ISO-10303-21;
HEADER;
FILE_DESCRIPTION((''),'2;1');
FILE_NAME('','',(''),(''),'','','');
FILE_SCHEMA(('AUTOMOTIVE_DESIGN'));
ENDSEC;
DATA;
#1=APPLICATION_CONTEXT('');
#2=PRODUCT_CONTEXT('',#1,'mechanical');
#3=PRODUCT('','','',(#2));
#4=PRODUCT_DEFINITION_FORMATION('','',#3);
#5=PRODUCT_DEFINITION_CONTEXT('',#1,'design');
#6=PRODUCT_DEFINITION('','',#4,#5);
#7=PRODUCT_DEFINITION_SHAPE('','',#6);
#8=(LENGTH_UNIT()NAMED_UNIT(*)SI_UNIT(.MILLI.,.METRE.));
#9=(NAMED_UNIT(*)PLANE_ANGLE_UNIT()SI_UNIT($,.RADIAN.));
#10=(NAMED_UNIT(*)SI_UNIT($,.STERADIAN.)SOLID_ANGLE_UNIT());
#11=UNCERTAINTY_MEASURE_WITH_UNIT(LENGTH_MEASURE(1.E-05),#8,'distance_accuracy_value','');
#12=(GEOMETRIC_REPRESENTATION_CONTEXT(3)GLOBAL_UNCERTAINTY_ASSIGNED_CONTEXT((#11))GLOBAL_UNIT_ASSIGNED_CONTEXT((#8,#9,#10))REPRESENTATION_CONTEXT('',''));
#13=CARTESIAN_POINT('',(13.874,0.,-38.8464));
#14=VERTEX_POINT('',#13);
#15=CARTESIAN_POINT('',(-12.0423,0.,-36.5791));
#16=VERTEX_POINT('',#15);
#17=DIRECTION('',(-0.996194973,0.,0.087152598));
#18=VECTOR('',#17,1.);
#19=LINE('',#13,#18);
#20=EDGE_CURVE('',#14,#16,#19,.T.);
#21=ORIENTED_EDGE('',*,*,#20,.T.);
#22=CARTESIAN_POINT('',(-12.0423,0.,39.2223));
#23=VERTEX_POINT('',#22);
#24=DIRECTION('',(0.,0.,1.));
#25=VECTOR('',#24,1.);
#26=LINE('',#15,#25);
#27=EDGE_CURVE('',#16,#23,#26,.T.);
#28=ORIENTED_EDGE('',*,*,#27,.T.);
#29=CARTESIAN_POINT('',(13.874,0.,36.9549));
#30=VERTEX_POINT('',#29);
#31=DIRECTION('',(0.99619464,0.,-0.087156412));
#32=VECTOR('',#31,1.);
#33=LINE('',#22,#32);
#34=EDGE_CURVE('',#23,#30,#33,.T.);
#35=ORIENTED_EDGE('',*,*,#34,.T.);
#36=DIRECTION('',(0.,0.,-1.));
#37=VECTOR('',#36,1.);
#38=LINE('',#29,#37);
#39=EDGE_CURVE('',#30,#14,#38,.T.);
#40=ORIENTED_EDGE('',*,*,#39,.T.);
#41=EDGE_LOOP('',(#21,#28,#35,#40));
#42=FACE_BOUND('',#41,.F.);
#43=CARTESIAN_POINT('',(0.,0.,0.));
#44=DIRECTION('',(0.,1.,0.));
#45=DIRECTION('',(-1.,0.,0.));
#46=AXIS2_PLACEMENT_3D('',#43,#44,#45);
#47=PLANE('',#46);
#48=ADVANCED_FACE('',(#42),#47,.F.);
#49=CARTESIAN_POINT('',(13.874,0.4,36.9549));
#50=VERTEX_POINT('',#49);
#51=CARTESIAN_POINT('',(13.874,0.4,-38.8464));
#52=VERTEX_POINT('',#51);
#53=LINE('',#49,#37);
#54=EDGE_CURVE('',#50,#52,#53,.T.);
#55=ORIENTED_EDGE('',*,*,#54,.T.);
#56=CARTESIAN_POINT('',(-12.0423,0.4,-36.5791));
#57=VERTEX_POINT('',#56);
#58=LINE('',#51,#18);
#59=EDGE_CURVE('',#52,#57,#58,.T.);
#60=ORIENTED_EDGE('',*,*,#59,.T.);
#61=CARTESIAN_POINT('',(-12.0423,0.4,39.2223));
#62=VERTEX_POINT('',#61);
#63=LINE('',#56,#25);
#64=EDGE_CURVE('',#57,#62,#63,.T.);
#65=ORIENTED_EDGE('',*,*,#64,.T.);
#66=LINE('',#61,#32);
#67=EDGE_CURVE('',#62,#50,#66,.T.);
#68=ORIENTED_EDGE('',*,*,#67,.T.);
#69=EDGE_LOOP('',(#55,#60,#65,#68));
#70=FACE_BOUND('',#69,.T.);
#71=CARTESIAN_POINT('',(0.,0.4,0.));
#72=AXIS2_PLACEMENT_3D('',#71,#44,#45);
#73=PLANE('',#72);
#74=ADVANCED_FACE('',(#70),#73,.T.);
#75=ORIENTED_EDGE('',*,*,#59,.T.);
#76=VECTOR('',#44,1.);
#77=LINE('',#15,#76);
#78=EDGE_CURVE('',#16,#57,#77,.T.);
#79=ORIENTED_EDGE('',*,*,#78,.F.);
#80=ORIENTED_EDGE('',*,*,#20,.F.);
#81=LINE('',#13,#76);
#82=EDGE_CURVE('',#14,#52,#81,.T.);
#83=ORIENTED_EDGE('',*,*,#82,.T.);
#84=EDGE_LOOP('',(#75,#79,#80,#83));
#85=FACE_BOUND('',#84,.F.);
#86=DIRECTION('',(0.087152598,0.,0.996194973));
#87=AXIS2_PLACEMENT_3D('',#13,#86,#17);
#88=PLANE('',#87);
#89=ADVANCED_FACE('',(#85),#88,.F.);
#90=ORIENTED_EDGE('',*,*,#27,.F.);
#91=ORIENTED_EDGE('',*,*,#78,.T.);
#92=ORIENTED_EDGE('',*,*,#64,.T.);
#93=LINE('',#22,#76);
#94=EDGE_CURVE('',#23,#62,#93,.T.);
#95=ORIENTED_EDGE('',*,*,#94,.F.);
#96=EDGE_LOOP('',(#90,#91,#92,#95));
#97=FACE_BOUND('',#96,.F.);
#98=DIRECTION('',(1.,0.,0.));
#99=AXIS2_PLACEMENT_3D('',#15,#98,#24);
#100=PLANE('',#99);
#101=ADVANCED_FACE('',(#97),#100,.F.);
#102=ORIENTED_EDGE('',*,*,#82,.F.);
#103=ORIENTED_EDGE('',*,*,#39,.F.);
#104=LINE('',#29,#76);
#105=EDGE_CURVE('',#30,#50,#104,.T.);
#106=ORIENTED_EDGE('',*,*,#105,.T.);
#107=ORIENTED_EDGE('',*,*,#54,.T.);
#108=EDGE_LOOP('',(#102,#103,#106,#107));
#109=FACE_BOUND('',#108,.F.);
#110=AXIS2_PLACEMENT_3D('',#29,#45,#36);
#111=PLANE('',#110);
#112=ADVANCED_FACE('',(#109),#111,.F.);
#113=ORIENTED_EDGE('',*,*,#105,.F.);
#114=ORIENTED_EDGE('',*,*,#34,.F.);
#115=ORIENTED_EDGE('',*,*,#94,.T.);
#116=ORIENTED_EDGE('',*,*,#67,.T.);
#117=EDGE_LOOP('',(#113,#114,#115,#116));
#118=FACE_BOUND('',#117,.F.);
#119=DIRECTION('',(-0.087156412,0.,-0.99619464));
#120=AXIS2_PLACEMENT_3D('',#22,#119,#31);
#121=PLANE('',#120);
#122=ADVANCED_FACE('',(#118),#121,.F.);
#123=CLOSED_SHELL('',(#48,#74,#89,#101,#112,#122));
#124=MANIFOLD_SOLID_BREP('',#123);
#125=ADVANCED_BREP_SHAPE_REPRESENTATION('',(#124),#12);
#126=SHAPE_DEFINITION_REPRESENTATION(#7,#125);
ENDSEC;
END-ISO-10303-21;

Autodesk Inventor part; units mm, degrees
ref_plane "YZ Plane" through (0, 0, 0) normal (1, 0, 0) x (0, 1, 0)
ref_plane "XZ Plane" through (0, 0, 0) normal (0, 1, 0) x (-1, 0, 0)
ref_plane "XY Plane" through (0, 0, 0) normal (0, 0, 1) x (1, 0, 0)
sketch "Sketch1" plane through (0, 0, 0) normal (0, 1, 0) x (-1, 0, 0)
  line L0 (12.0423, -36.5791) -> (12.0423, 39.2223)
  line L1 (12.0423, 39.2223) -> (-13.874, 36.9549)
  line L2 (-13.874, 36.9549) -> (-13.874, -38.8464)
  line L3 (-13.874, -38.8464) -> (12.0423, -36.5791)
  line L4 (10.0423, 31.5831) -> (10.0423, -30.1647)
  arc A0 (5.4781, -35.1457) -> (10.0423, -30.1647) centre (5.0423, -30.1647) ccw
  line L5 (5.4781, -35.1457) -> (-6.4382, -36.1883)
  arc A1 (-11.874, -31.2073) -> (-6.4382, -36.1883) centre (-6.874, -31.2073) ccw
  line L6 (-11.874, -31.2073) -> (-11.874, 30.5406)
  arc A2 (-7.3097, 35.5216) -> (-11.874, 30.5406) centre (-6.874, 30.5406) ccw
  line L7 (-7.3097, 35.5216) -> (4.6065, 36.5641)
  arc A3 (10.0423, 31.5831) -> (4.6065, 36.5641) centre (5.0423, 31.5831) ccw
  line L8 (11.8423, -36.3958) -> (-13.674, -38.6282)
  line L9 (-13.674, -38.6282) -> (-13.674, 36.7717)
  line L10 (-13.674, 36.7717) -> (11.8423, 39.004)
  point P0 (0, 0)
extrude "Extrusion1" add sketch "Sketch1" along normal blind 0.4 contours L3 L2 L1 L0 | L4 A0 L5 A1 L6 A2 L7 A3
properties part number "a"
